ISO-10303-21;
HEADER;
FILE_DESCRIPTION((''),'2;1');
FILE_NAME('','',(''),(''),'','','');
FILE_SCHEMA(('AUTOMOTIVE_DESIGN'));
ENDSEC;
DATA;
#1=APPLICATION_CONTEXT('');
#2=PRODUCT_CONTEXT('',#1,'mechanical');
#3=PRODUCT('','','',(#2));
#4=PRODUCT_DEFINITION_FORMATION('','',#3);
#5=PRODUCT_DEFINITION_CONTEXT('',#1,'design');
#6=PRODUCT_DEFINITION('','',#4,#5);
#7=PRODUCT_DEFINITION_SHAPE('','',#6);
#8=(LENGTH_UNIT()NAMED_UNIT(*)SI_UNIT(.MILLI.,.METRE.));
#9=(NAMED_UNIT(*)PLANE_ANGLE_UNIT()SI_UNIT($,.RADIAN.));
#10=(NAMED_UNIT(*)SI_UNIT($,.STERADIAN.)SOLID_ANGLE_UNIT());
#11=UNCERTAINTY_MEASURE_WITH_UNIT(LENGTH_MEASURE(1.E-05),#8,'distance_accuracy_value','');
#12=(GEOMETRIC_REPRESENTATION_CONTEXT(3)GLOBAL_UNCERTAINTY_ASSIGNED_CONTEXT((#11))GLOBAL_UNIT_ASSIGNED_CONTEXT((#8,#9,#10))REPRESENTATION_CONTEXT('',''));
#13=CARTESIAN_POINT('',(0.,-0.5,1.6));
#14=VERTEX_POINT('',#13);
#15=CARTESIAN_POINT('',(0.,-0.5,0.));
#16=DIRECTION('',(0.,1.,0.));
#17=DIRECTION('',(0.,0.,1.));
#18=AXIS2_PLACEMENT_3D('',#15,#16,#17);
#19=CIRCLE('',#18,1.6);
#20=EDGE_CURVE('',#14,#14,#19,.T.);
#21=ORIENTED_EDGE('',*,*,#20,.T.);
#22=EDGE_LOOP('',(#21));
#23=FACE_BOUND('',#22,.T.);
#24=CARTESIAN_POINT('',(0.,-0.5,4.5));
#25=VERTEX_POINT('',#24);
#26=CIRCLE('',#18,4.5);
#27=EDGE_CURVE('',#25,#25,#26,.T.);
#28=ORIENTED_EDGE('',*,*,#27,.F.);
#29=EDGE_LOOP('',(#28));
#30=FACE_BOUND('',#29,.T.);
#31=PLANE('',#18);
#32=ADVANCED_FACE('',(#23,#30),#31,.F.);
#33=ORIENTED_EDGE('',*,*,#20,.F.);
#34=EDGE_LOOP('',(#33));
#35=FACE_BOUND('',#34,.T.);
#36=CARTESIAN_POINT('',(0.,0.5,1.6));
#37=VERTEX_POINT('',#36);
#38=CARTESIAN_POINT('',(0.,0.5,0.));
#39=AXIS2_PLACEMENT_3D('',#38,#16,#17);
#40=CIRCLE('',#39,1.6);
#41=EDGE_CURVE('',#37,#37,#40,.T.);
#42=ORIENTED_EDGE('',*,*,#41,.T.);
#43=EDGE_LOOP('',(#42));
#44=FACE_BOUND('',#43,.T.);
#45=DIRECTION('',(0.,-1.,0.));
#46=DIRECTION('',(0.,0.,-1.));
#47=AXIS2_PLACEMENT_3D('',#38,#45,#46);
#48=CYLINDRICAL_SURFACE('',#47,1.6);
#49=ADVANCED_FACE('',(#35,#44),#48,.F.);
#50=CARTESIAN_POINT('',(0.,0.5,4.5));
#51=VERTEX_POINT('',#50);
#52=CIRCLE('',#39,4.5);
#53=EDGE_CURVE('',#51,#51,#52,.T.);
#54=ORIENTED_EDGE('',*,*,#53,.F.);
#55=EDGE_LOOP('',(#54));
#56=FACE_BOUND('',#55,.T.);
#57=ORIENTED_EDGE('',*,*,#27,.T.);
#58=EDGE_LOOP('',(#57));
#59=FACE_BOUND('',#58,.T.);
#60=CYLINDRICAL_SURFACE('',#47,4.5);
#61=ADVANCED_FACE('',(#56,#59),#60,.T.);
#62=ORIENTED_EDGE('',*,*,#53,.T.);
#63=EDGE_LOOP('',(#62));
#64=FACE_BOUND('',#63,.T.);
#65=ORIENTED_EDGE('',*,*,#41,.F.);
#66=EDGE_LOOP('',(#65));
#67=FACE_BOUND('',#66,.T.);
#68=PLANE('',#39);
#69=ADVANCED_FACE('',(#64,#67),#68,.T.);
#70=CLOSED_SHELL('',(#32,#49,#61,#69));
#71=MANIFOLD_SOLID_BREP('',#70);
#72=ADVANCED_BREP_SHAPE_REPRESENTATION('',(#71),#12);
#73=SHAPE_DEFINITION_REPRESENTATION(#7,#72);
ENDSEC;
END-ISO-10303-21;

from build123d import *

# Parameters (mm, degrees)
SKETCH1_R           = 4.5
SKETCH1_R_2         = 1.6
BOSS_EXTRUDE1_DEPTH = 0.5


with BuildPart() as part:
    # Sketch1 → Boss-Extrude1 (new body, symmetric)
    with BuildSketch(Plane(origin=(0, 0, 0), x_dir=(1, 0, 0), z_dir=(0, 1, 0))):
        Circle(SKETCH1_R)
        Circle(SKETCH1_R_2, mode=Mode.SUBTRACT)
    extrude(amount=BOSS_EXTRUDE1_DEPTH, both=True)


solid = part.part
